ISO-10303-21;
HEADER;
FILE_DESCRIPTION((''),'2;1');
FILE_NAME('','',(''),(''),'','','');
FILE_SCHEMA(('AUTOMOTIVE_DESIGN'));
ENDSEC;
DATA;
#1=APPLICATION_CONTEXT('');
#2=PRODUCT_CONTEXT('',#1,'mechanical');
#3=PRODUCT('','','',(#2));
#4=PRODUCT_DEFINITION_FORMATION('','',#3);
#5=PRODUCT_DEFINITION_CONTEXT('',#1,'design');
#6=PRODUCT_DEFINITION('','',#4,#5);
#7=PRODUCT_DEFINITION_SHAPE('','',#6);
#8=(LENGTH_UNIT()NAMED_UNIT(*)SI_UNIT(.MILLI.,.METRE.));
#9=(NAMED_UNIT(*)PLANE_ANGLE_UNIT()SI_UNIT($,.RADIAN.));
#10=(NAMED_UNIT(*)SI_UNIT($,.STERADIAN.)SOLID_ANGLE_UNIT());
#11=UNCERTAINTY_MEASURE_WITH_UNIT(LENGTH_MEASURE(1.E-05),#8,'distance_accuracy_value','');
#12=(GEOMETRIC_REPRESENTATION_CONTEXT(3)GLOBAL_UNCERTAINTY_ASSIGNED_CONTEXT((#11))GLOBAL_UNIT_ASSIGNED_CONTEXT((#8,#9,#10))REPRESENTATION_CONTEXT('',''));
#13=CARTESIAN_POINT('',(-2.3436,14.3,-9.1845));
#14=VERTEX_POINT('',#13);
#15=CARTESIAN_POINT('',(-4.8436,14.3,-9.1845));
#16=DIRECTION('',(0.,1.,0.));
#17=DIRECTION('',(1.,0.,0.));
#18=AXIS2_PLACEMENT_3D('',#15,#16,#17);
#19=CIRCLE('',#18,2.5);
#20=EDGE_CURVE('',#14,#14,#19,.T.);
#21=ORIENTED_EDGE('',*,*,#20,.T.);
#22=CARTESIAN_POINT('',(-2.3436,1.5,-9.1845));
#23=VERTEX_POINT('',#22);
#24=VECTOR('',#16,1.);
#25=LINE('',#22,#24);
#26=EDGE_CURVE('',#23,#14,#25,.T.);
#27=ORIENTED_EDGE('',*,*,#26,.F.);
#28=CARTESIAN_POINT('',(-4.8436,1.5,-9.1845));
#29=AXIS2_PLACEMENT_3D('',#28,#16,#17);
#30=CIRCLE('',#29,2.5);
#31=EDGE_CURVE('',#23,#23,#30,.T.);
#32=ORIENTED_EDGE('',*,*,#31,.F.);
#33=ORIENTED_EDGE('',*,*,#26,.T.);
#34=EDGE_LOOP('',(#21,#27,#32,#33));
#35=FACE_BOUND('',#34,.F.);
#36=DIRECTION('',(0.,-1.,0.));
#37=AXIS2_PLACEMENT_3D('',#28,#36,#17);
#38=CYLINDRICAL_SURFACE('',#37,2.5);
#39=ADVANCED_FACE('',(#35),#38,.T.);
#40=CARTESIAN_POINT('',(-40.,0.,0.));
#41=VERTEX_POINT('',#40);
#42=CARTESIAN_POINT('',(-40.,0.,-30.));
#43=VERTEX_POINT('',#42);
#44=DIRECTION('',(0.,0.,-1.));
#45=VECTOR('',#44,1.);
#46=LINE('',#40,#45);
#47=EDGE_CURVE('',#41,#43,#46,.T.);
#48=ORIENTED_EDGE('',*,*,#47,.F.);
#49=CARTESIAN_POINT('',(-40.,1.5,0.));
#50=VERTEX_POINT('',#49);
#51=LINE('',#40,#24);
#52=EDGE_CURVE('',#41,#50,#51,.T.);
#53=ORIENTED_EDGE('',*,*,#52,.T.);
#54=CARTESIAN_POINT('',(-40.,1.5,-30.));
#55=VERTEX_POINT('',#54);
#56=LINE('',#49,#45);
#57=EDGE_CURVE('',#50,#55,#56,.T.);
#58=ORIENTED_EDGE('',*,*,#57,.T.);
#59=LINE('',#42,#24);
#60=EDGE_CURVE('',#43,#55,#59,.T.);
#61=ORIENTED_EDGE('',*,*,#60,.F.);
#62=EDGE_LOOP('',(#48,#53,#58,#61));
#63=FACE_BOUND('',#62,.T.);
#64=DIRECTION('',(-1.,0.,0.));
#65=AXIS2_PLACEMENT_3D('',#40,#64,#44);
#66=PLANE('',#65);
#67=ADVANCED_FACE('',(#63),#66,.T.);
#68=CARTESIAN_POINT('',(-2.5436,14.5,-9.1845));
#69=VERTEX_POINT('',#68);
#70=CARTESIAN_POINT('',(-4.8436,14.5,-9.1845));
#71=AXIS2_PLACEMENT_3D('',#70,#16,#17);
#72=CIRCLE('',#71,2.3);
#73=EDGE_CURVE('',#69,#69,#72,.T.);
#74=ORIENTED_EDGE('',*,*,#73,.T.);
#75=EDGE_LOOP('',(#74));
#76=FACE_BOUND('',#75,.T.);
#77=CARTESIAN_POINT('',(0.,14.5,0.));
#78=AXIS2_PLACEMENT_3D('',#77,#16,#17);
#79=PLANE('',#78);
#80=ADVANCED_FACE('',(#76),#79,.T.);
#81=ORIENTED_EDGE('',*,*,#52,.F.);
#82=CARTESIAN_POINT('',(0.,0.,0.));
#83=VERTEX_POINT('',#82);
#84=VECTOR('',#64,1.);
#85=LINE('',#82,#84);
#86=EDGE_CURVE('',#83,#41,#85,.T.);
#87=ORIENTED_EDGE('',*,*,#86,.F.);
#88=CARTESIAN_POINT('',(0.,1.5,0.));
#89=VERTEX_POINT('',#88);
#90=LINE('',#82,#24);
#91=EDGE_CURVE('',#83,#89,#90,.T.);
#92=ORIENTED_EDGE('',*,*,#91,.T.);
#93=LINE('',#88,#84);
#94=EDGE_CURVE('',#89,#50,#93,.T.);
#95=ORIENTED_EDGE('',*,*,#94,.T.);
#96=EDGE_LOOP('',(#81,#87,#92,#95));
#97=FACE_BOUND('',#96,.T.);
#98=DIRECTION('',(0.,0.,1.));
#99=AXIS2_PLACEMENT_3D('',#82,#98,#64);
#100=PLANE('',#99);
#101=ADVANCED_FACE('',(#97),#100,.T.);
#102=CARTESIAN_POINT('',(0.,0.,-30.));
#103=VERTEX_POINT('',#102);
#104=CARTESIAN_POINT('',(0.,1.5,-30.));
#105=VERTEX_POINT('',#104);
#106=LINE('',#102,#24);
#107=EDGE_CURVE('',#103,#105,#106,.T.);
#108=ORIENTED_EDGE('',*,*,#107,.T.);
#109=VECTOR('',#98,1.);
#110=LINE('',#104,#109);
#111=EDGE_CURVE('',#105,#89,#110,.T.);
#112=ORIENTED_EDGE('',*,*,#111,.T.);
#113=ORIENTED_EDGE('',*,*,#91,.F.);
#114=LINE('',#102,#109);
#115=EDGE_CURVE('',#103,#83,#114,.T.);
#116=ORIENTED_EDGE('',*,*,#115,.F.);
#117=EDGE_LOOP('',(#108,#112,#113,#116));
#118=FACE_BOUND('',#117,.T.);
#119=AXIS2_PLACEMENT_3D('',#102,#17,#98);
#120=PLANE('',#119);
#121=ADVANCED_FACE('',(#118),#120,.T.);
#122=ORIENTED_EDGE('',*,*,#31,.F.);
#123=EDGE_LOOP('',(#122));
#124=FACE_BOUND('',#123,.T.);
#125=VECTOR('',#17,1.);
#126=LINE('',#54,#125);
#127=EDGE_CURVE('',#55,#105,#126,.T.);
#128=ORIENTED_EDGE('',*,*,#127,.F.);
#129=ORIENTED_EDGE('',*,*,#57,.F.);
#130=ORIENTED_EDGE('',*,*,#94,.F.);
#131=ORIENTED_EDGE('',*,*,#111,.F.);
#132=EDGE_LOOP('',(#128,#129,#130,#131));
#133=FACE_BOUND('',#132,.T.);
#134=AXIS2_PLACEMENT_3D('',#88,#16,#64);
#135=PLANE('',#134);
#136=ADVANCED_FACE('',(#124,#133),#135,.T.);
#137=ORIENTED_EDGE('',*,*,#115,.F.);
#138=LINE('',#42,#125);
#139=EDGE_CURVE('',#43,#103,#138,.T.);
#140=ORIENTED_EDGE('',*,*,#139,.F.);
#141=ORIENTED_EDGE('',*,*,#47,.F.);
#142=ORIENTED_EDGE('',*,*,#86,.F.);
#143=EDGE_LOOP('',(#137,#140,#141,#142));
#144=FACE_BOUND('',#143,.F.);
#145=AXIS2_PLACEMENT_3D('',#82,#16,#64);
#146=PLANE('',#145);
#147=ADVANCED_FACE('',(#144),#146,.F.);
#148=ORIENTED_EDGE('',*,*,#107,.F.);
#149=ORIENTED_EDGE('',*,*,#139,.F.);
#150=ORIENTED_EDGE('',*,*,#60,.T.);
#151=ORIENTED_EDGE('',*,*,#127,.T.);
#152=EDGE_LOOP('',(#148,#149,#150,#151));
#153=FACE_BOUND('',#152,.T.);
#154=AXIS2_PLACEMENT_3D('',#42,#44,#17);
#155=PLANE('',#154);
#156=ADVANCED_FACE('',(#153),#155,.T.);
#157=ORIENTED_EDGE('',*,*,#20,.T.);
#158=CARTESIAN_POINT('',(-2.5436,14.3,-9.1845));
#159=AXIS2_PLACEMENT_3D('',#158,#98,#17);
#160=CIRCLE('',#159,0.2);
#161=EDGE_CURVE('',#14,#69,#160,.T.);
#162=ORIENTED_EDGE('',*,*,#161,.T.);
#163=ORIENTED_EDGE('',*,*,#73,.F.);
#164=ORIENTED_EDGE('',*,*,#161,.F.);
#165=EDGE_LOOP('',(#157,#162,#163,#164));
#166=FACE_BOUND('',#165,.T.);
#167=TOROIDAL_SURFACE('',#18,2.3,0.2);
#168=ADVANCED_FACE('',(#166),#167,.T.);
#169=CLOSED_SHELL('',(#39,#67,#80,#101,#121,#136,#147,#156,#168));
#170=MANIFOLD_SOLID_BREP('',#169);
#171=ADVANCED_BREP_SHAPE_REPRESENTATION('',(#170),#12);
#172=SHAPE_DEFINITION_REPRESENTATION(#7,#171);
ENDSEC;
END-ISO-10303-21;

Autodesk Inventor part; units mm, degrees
ref_plane "YZ Plane" through (0, 0, 0) normal (1, 0, 0) x (0, 1, 0)
ref_plane "XZ Plane" through (0, 0, 0) normal (0, 1, 0) x (-1, 0, 0)
ref_plane "XY Plane" through (0, 0, 0) normal (0, 0, 1) x (1, 0, 0)
sketch "Sketch1" plane through (0, 0, 0) normal (0, 1, 0) x (-1, 0, 0)
  line L0 (0, 0) -> (40, 0)
  line L1 (40, 0) -> (40, -30)
  line L2 (40, -30) -> (0, -30)
  line L3 (0, -30) -> (0, 0)
  dimension "d0" = 40
  dimension "d1" = 30
extrude "Extrusion1" add sketch "Sketch1" along normal blind 1.5
sketch "Sketch2" plane through (0, 1.5, 0) normal (0, 1, 0) x (1, 0, 0)
  circle A0 centre (-4.8436, 9.1845) radius 2.5
  point P0 (0, 0)
  dimension "d4" = 5
extrude "Extrusion2" add sketch "Sketch2" along normal blind 13
fillet "Fillet1" radius 0.2 1 edges at (-7.3436, 14.5, -9.1845)
properties part number "Circuit_Board"
